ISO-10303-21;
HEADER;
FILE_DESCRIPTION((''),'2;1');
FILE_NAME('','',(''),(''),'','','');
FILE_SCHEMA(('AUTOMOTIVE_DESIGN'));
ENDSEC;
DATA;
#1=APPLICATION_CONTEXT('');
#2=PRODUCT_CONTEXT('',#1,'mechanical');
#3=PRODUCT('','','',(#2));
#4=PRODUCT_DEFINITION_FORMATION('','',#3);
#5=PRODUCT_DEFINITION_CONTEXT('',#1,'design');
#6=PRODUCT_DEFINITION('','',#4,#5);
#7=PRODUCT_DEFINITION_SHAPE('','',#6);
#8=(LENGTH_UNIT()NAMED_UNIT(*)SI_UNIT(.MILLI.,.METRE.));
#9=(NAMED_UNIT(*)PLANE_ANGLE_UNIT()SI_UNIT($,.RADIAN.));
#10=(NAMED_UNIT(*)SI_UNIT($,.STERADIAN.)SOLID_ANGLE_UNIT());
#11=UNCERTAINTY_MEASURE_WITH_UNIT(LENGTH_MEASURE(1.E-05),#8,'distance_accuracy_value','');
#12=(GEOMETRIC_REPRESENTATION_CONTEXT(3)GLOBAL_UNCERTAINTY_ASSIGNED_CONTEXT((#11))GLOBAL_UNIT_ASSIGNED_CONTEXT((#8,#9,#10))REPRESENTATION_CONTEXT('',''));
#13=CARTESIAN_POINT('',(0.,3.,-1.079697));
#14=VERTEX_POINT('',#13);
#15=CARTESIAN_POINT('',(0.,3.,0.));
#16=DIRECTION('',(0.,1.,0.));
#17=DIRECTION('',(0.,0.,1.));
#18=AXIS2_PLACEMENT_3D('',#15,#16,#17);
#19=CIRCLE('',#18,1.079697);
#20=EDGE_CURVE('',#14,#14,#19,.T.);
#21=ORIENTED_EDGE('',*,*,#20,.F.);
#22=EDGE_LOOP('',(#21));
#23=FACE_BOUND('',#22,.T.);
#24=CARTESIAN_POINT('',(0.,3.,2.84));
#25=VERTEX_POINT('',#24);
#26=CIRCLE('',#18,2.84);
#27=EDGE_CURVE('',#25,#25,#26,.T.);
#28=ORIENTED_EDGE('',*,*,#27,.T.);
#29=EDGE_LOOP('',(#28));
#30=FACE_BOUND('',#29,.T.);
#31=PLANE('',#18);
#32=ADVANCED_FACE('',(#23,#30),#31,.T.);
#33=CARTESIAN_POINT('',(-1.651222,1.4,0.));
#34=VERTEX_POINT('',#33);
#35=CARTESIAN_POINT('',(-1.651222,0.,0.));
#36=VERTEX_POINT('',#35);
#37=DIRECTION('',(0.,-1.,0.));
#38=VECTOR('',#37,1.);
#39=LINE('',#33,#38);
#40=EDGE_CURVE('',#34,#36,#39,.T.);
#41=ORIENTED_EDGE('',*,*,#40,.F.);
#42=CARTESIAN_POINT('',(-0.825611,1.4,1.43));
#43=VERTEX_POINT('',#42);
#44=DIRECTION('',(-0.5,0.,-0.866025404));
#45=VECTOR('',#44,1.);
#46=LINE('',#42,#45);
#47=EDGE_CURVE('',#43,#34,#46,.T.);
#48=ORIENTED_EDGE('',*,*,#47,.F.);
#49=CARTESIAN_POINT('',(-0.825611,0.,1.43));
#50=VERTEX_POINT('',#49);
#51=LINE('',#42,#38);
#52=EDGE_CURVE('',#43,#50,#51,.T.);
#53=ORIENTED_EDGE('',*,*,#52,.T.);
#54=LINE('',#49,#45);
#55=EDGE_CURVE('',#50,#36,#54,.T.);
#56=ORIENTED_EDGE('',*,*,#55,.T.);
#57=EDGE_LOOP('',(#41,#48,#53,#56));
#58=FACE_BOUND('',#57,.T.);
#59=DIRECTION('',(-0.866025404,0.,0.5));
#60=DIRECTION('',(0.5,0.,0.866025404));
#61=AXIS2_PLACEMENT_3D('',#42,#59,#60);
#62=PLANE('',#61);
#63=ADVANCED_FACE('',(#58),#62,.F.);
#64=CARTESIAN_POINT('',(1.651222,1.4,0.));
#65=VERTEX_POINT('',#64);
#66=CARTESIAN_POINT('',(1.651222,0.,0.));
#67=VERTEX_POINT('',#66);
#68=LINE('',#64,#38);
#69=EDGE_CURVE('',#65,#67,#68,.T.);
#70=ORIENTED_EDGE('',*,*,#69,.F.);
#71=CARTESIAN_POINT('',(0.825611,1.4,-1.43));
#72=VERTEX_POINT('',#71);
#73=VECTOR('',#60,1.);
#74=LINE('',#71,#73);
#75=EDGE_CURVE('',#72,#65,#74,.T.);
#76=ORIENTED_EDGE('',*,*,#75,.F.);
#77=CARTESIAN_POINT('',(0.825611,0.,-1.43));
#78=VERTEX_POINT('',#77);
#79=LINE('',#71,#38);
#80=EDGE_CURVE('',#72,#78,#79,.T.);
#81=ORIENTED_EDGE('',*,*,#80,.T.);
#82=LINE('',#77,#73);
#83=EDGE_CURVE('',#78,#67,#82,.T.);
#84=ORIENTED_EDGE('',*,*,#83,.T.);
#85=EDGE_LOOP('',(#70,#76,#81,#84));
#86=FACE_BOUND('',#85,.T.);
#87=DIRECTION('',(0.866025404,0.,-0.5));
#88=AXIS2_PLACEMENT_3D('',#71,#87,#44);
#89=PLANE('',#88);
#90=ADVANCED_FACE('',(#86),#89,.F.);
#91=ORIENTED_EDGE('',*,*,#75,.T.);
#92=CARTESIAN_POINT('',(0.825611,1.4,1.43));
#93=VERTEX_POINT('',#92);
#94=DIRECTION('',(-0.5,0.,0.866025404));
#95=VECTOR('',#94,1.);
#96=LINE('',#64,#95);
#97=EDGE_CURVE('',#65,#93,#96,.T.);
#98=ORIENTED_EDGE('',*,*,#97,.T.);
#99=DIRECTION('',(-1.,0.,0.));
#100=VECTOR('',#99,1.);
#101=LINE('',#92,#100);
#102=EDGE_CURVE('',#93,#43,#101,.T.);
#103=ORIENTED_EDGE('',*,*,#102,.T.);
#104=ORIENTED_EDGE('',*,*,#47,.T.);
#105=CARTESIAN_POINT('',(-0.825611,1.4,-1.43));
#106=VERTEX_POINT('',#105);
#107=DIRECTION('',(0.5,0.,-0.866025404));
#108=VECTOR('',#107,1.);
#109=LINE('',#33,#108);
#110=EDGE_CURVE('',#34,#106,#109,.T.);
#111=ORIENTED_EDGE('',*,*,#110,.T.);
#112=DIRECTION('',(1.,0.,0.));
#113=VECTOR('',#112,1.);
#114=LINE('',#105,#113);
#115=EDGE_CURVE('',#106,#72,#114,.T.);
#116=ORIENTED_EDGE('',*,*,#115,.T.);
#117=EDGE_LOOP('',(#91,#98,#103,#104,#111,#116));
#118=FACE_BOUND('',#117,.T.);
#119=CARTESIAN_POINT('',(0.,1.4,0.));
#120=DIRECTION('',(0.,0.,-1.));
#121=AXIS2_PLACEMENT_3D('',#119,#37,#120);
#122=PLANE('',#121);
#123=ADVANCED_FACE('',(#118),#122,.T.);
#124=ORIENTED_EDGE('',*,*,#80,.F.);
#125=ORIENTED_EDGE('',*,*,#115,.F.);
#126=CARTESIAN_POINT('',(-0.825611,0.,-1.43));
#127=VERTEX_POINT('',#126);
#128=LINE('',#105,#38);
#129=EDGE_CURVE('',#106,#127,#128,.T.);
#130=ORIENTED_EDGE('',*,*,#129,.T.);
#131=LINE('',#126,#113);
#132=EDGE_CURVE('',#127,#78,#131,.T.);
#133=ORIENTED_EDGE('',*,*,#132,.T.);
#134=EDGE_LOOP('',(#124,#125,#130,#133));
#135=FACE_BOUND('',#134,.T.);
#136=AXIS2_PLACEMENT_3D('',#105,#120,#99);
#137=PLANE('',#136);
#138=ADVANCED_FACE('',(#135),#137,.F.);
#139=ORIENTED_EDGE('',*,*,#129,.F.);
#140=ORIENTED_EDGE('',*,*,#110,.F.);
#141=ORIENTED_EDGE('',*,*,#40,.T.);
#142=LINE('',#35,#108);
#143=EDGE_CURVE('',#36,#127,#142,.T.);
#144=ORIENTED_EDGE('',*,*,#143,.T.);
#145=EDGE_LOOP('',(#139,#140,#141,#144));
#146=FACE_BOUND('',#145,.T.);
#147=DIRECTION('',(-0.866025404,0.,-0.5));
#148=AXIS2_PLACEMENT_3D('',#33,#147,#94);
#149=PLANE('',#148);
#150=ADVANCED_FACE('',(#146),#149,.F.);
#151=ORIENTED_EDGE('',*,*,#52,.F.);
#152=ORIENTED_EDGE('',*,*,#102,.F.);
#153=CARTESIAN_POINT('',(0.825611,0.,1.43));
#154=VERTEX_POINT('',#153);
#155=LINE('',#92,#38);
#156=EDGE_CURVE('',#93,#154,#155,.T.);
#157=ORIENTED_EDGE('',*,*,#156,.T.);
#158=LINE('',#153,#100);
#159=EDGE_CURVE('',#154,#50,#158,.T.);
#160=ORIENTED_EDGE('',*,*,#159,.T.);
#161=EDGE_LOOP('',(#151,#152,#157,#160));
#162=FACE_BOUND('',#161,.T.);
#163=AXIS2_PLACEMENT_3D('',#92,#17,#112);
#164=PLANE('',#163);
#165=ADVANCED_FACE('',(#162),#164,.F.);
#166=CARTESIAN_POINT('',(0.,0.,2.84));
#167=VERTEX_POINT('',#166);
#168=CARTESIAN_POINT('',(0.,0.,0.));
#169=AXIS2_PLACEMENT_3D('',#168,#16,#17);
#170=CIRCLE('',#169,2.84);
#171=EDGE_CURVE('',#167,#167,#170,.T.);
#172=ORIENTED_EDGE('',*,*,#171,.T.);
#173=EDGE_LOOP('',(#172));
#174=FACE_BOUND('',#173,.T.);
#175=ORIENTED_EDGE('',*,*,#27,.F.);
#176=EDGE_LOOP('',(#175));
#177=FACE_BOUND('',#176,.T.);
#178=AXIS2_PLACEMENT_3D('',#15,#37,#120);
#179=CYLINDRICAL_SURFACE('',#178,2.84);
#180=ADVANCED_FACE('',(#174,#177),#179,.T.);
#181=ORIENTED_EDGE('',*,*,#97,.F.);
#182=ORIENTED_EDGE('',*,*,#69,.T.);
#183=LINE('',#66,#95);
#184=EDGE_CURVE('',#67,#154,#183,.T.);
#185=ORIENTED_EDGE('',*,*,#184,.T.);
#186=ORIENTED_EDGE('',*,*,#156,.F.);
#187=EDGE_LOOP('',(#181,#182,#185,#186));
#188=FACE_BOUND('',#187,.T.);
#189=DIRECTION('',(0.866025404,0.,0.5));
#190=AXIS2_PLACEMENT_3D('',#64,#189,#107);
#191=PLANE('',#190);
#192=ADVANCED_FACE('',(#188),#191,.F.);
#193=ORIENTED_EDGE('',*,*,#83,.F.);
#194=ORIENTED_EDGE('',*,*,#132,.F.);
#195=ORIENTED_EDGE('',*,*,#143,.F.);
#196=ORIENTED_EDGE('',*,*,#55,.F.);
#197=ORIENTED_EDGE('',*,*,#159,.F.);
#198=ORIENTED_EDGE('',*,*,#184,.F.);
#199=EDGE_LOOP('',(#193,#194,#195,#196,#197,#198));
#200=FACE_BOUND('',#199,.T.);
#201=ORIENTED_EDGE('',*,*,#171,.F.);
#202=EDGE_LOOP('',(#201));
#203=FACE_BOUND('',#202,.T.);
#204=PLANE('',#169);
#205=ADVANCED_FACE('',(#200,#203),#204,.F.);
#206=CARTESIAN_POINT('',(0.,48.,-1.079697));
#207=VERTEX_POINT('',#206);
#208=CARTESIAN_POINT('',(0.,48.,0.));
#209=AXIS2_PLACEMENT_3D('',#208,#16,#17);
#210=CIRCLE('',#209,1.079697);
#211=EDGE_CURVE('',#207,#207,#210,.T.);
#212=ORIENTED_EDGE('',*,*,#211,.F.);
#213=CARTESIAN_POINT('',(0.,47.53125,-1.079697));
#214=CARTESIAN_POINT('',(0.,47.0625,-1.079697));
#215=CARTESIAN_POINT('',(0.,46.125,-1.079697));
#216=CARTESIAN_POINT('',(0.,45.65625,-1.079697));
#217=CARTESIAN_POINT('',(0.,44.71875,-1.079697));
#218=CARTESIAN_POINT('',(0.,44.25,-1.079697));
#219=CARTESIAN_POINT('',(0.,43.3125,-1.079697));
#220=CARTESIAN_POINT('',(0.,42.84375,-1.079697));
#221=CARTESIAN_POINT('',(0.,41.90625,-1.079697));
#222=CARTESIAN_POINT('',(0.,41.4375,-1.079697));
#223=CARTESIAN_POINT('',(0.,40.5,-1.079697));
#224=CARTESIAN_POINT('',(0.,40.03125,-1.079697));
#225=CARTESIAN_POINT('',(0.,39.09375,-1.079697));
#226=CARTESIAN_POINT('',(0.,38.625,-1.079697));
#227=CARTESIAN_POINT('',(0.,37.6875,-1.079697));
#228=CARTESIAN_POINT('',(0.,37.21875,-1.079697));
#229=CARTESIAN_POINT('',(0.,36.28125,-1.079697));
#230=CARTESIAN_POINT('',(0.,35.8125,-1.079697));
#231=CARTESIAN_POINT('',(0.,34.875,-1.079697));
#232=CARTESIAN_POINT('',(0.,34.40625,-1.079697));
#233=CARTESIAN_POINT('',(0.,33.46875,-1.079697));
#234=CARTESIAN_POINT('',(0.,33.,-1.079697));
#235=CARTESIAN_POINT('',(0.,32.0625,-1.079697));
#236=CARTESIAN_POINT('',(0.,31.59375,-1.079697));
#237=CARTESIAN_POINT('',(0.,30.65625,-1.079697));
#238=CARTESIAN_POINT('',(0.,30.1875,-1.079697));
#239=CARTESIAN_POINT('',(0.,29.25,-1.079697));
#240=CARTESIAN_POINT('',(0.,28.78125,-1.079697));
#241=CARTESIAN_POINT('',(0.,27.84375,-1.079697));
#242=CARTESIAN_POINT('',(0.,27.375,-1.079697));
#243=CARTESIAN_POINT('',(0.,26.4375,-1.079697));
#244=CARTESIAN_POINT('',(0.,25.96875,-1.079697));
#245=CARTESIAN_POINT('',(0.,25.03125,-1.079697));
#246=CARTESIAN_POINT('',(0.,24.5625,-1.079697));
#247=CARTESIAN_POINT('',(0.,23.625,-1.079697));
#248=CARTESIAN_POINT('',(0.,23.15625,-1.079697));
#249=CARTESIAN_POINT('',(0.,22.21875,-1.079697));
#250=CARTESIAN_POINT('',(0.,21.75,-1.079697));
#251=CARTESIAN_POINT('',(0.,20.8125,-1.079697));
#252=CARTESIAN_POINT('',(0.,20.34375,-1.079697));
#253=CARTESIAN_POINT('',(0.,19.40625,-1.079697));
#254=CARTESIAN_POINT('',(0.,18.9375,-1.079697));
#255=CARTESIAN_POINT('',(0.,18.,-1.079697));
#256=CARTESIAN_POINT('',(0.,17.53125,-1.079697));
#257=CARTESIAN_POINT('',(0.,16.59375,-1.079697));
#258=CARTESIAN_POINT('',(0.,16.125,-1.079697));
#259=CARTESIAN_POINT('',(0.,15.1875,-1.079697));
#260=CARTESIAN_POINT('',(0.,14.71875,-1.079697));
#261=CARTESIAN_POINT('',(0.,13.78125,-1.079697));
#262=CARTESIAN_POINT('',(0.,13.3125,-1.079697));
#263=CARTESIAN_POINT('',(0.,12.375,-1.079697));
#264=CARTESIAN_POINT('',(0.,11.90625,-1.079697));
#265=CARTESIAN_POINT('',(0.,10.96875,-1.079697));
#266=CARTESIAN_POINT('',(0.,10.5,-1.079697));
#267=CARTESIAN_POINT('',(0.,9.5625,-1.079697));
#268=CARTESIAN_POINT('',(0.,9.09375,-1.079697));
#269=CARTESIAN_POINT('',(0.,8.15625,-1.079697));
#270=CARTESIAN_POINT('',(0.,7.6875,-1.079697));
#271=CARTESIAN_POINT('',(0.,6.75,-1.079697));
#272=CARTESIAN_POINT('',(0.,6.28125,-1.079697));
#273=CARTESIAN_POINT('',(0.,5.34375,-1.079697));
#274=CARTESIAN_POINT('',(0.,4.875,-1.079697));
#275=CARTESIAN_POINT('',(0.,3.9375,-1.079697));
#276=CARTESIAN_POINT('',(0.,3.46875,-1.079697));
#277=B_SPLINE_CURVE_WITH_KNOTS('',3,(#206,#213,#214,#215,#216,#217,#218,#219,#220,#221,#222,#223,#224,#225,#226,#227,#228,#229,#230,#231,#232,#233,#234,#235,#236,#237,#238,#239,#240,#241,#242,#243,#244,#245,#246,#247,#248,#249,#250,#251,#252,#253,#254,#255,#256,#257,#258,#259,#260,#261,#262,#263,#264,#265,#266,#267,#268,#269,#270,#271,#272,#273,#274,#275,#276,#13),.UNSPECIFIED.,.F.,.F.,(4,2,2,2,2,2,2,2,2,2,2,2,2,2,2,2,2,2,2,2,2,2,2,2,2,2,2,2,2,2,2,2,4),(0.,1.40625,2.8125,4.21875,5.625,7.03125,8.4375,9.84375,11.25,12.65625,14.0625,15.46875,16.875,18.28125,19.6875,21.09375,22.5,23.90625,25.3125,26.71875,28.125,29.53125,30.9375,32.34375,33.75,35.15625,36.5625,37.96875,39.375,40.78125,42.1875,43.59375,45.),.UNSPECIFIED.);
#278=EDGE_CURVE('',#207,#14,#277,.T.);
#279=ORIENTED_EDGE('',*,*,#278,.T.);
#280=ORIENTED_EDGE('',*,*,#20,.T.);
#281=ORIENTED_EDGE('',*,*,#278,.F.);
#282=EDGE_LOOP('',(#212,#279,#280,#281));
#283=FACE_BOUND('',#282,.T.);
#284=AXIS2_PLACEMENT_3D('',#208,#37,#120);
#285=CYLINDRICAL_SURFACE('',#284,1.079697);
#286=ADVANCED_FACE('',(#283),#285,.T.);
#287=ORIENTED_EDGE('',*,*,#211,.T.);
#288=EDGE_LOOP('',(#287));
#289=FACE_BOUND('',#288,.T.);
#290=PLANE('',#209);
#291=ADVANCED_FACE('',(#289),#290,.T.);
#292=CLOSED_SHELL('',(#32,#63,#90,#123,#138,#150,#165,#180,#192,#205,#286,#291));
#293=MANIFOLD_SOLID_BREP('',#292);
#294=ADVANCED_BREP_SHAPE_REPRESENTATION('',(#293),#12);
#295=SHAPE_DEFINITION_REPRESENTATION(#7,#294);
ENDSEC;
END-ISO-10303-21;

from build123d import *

# Parameters (mm, degrees)
SKETCH1_R           = 2.84
BOSS_EXTRUDE1_DEPTH = 3
SKETCH2_R           = 1.079696648
BOSS_EXTRUDE2_DEPTH = 45
CUT_EXTRUDE1_DEPTH  = 1.4


with BuildPart() as part:
    # Sketch1 → Boss-Extrude1 (new body)
    with BuildSketch(Plane(origin=(0, 0, 0), x_dir=(1, 0, 0), z_dir=(0, 1, 0))):
        with Locations(Location((0, 0, 0), (0, 0, 270))):
            Circle(SKETCH1_R)
    extrude(amount=BOSS_EXTRUDE1_DEPTH)

    # Sketch2 → Boss-Extrude2 (add)
    with BuildSketch(Plane(origin=(0, 3, 0), x_dir=(1, 0, 0), z_dir=(0, 1, 0))):
        with Locations(Location((0, 0, 0), (0, 0, 90))):
            Circle(SKETCH2_R)
    extrude(amount=BOSS_EXTRUDE2_DEPTH)

    # Sketch3 → Cut-Extrude1 (cut)
    with BuildSketch(Plane.XZ):
        Polygon((1.65122177, 0), (0.825610885, 1.43), (-0.825610885, 1.43), (-1.65122177, 0), (-0.825610885, -1.43), (0.825610885, -1.43), align=None)
    extrude(amount=-CUT_EXTRUDE1_DEPTH, mode=Mode.SUBTRACT)


solid = part.part
